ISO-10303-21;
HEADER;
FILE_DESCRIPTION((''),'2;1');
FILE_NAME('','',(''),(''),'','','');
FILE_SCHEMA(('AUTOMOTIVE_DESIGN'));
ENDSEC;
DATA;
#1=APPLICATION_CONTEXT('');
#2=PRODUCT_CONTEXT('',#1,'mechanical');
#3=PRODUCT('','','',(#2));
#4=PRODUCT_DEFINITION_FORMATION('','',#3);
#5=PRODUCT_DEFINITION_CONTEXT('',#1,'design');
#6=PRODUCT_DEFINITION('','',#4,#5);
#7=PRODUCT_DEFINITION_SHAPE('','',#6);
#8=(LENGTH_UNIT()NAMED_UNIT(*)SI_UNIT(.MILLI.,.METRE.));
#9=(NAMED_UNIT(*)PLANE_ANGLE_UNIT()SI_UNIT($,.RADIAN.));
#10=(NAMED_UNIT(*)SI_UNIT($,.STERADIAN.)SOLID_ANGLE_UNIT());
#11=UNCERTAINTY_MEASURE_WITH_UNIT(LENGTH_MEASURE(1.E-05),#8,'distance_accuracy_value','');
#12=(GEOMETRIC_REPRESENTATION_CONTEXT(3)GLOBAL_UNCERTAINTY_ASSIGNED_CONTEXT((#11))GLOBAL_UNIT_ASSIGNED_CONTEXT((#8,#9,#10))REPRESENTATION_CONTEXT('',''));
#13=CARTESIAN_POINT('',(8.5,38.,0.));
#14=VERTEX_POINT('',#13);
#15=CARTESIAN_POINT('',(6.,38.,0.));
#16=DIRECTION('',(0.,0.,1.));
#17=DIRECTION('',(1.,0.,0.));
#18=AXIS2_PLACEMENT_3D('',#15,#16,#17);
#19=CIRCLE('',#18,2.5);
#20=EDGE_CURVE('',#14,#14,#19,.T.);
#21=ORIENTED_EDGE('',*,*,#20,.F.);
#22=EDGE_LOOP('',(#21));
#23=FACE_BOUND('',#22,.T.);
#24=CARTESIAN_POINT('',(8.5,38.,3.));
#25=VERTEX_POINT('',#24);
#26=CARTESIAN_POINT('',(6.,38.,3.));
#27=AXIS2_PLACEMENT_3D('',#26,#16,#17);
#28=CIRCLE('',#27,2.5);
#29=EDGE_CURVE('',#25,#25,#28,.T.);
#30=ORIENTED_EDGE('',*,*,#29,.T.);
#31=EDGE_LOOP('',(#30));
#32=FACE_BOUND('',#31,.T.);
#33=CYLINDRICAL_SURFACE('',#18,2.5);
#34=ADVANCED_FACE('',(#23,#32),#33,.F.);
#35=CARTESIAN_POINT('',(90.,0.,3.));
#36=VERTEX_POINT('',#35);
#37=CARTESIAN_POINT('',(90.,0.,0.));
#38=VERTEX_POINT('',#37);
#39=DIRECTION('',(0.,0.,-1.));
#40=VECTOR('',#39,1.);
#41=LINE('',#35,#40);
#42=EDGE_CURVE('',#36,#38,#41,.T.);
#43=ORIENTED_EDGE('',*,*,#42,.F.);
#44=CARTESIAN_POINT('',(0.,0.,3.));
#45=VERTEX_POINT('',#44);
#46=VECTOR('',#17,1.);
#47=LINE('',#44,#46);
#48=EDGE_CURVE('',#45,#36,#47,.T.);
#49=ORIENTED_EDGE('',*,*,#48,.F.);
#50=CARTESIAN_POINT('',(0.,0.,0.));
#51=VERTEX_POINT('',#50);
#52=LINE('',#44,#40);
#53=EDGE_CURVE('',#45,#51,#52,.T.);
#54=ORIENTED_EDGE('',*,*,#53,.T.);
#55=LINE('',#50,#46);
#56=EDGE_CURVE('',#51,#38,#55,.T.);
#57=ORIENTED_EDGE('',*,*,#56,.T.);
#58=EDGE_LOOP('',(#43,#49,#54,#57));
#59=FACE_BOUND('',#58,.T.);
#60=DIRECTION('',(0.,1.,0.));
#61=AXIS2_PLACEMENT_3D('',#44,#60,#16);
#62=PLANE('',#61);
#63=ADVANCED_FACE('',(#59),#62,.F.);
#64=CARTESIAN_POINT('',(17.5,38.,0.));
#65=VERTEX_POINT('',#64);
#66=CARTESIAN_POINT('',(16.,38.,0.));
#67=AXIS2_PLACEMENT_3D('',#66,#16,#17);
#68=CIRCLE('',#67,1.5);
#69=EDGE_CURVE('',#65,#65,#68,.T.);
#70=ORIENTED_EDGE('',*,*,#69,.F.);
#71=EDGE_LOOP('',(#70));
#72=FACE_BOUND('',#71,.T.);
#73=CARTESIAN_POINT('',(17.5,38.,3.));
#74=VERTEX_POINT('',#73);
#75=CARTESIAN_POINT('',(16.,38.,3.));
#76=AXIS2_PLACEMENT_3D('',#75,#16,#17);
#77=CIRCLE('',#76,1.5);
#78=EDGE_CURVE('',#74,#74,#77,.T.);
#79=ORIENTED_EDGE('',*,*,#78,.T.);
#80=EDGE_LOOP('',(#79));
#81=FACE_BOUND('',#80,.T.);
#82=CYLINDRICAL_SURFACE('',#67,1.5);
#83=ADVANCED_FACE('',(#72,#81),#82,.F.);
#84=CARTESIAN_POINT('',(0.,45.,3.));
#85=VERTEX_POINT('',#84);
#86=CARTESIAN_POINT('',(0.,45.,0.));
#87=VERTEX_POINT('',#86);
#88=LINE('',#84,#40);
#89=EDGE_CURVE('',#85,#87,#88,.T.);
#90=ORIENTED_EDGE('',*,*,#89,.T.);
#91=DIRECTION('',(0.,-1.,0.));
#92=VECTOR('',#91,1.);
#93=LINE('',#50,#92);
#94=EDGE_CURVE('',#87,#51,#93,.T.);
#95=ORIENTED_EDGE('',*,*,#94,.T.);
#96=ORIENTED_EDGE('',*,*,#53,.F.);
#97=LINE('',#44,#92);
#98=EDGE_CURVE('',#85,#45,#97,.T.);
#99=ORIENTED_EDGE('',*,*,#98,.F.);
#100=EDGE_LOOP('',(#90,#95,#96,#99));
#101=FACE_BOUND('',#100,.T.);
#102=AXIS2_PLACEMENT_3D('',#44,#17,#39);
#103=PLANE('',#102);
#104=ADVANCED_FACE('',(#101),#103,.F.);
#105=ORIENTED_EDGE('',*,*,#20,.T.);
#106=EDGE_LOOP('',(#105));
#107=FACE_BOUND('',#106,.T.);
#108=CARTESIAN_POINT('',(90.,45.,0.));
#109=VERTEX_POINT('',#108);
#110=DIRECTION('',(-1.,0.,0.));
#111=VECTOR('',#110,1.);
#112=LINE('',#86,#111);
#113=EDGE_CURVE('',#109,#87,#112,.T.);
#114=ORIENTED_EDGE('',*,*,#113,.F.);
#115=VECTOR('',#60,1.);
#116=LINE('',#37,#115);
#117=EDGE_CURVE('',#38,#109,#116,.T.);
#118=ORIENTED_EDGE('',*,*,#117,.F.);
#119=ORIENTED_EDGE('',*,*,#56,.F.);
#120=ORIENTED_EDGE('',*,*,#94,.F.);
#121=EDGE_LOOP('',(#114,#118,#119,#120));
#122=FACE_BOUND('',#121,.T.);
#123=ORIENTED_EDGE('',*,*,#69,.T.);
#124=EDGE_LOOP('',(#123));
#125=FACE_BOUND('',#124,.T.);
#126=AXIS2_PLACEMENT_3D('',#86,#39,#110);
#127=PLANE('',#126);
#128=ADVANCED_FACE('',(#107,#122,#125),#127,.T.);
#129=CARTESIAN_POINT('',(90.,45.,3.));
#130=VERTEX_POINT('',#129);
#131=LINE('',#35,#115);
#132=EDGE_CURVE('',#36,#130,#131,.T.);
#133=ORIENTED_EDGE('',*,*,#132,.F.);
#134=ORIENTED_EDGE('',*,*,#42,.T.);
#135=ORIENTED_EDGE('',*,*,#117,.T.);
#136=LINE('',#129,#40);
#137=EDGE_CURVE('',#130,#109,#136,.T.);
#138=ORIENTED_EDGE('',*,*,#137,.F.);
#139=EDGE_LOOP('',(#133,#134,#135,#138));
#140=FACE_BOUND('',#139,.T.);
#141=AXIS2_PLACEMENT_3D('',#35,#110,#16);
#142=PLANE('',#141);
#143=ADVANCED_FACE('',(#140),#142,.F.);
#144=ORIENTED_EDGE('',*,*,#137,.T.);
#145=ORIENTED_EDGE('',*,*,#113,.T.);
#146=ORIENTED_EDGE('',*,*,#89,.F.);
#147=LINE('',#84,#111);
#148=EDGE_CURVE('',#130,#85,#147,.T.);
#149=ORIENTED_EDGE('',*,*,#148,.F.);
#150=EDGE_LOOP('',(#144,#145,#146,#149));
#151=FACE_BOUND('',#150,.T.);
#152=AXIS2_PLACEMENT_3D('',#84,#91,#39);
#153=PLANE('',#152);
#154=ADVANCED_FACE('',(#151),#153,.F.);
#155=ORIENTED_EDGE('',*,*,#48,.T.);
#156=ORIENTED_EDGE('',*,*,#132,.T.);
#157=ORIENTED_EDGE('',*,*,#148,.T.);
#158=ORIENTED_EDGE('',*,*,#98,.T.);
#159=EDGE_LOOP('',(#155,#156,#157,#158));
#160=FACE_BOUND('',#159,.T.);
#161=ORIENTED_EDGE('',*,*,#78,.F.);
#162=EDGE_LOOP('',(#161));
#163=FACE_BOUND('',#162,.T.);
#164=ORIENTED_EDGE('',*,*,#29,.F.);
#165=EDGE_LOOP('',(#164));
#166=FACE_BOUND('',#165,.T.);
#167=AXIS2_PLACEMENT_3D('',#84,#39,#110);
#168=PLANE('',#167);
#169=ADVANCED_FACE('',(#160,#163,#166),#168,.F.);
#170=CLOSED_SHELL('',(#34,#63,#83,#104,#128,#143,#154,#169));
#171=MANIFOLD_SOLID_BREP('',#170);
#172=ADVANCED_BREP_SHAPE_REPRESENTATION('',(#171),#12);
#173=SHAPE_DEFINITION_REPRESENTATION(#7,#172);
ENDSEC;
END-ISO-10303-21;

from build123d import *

# Parameters (mm, degrees)
SKETCH_1_W      = 90
SKETCH_1_H      = 45
EXTRUDE_1_DEPTH = 3
SKETCH_2_R      = 2.5
DIA_5_DEPTH     = 101.667770413
SKETCH_3_R      = 1.5
DIA_3_DEPTH     = 101.667770413


with BuildPart() as part:
    # 草圖1 → 伸長1 (new body)
    with BuildSketch(Plane.XY):
        with Locations((45, 22.5)):
            Rectangle(SKETCH_1_W, SKETCH_1_H)
    extrude(amount=EXTRUDE_1_DEPTH)

    # 草圖2 → Dia 5 (cut, through all)
    with BuildSketch(Plane.XY.offset(3)):
        with Locations((6, 38)):
            Circle(SKETCH_2_R)
    extrude(amount=-DIA_5_DEPTH, mode=Mode.SUBTRACT)

    # 草圖3 → Dia 3 (cut, through all)
    with BuildSketch(Plane.XY.offset(3)):
        with Locations((16, 38)):
            Circle(SKETCH_3_R)
    extrude(amount=-DIA_3_DEPTH, mode=Mode.SUBTRACT)


solid = part.part
